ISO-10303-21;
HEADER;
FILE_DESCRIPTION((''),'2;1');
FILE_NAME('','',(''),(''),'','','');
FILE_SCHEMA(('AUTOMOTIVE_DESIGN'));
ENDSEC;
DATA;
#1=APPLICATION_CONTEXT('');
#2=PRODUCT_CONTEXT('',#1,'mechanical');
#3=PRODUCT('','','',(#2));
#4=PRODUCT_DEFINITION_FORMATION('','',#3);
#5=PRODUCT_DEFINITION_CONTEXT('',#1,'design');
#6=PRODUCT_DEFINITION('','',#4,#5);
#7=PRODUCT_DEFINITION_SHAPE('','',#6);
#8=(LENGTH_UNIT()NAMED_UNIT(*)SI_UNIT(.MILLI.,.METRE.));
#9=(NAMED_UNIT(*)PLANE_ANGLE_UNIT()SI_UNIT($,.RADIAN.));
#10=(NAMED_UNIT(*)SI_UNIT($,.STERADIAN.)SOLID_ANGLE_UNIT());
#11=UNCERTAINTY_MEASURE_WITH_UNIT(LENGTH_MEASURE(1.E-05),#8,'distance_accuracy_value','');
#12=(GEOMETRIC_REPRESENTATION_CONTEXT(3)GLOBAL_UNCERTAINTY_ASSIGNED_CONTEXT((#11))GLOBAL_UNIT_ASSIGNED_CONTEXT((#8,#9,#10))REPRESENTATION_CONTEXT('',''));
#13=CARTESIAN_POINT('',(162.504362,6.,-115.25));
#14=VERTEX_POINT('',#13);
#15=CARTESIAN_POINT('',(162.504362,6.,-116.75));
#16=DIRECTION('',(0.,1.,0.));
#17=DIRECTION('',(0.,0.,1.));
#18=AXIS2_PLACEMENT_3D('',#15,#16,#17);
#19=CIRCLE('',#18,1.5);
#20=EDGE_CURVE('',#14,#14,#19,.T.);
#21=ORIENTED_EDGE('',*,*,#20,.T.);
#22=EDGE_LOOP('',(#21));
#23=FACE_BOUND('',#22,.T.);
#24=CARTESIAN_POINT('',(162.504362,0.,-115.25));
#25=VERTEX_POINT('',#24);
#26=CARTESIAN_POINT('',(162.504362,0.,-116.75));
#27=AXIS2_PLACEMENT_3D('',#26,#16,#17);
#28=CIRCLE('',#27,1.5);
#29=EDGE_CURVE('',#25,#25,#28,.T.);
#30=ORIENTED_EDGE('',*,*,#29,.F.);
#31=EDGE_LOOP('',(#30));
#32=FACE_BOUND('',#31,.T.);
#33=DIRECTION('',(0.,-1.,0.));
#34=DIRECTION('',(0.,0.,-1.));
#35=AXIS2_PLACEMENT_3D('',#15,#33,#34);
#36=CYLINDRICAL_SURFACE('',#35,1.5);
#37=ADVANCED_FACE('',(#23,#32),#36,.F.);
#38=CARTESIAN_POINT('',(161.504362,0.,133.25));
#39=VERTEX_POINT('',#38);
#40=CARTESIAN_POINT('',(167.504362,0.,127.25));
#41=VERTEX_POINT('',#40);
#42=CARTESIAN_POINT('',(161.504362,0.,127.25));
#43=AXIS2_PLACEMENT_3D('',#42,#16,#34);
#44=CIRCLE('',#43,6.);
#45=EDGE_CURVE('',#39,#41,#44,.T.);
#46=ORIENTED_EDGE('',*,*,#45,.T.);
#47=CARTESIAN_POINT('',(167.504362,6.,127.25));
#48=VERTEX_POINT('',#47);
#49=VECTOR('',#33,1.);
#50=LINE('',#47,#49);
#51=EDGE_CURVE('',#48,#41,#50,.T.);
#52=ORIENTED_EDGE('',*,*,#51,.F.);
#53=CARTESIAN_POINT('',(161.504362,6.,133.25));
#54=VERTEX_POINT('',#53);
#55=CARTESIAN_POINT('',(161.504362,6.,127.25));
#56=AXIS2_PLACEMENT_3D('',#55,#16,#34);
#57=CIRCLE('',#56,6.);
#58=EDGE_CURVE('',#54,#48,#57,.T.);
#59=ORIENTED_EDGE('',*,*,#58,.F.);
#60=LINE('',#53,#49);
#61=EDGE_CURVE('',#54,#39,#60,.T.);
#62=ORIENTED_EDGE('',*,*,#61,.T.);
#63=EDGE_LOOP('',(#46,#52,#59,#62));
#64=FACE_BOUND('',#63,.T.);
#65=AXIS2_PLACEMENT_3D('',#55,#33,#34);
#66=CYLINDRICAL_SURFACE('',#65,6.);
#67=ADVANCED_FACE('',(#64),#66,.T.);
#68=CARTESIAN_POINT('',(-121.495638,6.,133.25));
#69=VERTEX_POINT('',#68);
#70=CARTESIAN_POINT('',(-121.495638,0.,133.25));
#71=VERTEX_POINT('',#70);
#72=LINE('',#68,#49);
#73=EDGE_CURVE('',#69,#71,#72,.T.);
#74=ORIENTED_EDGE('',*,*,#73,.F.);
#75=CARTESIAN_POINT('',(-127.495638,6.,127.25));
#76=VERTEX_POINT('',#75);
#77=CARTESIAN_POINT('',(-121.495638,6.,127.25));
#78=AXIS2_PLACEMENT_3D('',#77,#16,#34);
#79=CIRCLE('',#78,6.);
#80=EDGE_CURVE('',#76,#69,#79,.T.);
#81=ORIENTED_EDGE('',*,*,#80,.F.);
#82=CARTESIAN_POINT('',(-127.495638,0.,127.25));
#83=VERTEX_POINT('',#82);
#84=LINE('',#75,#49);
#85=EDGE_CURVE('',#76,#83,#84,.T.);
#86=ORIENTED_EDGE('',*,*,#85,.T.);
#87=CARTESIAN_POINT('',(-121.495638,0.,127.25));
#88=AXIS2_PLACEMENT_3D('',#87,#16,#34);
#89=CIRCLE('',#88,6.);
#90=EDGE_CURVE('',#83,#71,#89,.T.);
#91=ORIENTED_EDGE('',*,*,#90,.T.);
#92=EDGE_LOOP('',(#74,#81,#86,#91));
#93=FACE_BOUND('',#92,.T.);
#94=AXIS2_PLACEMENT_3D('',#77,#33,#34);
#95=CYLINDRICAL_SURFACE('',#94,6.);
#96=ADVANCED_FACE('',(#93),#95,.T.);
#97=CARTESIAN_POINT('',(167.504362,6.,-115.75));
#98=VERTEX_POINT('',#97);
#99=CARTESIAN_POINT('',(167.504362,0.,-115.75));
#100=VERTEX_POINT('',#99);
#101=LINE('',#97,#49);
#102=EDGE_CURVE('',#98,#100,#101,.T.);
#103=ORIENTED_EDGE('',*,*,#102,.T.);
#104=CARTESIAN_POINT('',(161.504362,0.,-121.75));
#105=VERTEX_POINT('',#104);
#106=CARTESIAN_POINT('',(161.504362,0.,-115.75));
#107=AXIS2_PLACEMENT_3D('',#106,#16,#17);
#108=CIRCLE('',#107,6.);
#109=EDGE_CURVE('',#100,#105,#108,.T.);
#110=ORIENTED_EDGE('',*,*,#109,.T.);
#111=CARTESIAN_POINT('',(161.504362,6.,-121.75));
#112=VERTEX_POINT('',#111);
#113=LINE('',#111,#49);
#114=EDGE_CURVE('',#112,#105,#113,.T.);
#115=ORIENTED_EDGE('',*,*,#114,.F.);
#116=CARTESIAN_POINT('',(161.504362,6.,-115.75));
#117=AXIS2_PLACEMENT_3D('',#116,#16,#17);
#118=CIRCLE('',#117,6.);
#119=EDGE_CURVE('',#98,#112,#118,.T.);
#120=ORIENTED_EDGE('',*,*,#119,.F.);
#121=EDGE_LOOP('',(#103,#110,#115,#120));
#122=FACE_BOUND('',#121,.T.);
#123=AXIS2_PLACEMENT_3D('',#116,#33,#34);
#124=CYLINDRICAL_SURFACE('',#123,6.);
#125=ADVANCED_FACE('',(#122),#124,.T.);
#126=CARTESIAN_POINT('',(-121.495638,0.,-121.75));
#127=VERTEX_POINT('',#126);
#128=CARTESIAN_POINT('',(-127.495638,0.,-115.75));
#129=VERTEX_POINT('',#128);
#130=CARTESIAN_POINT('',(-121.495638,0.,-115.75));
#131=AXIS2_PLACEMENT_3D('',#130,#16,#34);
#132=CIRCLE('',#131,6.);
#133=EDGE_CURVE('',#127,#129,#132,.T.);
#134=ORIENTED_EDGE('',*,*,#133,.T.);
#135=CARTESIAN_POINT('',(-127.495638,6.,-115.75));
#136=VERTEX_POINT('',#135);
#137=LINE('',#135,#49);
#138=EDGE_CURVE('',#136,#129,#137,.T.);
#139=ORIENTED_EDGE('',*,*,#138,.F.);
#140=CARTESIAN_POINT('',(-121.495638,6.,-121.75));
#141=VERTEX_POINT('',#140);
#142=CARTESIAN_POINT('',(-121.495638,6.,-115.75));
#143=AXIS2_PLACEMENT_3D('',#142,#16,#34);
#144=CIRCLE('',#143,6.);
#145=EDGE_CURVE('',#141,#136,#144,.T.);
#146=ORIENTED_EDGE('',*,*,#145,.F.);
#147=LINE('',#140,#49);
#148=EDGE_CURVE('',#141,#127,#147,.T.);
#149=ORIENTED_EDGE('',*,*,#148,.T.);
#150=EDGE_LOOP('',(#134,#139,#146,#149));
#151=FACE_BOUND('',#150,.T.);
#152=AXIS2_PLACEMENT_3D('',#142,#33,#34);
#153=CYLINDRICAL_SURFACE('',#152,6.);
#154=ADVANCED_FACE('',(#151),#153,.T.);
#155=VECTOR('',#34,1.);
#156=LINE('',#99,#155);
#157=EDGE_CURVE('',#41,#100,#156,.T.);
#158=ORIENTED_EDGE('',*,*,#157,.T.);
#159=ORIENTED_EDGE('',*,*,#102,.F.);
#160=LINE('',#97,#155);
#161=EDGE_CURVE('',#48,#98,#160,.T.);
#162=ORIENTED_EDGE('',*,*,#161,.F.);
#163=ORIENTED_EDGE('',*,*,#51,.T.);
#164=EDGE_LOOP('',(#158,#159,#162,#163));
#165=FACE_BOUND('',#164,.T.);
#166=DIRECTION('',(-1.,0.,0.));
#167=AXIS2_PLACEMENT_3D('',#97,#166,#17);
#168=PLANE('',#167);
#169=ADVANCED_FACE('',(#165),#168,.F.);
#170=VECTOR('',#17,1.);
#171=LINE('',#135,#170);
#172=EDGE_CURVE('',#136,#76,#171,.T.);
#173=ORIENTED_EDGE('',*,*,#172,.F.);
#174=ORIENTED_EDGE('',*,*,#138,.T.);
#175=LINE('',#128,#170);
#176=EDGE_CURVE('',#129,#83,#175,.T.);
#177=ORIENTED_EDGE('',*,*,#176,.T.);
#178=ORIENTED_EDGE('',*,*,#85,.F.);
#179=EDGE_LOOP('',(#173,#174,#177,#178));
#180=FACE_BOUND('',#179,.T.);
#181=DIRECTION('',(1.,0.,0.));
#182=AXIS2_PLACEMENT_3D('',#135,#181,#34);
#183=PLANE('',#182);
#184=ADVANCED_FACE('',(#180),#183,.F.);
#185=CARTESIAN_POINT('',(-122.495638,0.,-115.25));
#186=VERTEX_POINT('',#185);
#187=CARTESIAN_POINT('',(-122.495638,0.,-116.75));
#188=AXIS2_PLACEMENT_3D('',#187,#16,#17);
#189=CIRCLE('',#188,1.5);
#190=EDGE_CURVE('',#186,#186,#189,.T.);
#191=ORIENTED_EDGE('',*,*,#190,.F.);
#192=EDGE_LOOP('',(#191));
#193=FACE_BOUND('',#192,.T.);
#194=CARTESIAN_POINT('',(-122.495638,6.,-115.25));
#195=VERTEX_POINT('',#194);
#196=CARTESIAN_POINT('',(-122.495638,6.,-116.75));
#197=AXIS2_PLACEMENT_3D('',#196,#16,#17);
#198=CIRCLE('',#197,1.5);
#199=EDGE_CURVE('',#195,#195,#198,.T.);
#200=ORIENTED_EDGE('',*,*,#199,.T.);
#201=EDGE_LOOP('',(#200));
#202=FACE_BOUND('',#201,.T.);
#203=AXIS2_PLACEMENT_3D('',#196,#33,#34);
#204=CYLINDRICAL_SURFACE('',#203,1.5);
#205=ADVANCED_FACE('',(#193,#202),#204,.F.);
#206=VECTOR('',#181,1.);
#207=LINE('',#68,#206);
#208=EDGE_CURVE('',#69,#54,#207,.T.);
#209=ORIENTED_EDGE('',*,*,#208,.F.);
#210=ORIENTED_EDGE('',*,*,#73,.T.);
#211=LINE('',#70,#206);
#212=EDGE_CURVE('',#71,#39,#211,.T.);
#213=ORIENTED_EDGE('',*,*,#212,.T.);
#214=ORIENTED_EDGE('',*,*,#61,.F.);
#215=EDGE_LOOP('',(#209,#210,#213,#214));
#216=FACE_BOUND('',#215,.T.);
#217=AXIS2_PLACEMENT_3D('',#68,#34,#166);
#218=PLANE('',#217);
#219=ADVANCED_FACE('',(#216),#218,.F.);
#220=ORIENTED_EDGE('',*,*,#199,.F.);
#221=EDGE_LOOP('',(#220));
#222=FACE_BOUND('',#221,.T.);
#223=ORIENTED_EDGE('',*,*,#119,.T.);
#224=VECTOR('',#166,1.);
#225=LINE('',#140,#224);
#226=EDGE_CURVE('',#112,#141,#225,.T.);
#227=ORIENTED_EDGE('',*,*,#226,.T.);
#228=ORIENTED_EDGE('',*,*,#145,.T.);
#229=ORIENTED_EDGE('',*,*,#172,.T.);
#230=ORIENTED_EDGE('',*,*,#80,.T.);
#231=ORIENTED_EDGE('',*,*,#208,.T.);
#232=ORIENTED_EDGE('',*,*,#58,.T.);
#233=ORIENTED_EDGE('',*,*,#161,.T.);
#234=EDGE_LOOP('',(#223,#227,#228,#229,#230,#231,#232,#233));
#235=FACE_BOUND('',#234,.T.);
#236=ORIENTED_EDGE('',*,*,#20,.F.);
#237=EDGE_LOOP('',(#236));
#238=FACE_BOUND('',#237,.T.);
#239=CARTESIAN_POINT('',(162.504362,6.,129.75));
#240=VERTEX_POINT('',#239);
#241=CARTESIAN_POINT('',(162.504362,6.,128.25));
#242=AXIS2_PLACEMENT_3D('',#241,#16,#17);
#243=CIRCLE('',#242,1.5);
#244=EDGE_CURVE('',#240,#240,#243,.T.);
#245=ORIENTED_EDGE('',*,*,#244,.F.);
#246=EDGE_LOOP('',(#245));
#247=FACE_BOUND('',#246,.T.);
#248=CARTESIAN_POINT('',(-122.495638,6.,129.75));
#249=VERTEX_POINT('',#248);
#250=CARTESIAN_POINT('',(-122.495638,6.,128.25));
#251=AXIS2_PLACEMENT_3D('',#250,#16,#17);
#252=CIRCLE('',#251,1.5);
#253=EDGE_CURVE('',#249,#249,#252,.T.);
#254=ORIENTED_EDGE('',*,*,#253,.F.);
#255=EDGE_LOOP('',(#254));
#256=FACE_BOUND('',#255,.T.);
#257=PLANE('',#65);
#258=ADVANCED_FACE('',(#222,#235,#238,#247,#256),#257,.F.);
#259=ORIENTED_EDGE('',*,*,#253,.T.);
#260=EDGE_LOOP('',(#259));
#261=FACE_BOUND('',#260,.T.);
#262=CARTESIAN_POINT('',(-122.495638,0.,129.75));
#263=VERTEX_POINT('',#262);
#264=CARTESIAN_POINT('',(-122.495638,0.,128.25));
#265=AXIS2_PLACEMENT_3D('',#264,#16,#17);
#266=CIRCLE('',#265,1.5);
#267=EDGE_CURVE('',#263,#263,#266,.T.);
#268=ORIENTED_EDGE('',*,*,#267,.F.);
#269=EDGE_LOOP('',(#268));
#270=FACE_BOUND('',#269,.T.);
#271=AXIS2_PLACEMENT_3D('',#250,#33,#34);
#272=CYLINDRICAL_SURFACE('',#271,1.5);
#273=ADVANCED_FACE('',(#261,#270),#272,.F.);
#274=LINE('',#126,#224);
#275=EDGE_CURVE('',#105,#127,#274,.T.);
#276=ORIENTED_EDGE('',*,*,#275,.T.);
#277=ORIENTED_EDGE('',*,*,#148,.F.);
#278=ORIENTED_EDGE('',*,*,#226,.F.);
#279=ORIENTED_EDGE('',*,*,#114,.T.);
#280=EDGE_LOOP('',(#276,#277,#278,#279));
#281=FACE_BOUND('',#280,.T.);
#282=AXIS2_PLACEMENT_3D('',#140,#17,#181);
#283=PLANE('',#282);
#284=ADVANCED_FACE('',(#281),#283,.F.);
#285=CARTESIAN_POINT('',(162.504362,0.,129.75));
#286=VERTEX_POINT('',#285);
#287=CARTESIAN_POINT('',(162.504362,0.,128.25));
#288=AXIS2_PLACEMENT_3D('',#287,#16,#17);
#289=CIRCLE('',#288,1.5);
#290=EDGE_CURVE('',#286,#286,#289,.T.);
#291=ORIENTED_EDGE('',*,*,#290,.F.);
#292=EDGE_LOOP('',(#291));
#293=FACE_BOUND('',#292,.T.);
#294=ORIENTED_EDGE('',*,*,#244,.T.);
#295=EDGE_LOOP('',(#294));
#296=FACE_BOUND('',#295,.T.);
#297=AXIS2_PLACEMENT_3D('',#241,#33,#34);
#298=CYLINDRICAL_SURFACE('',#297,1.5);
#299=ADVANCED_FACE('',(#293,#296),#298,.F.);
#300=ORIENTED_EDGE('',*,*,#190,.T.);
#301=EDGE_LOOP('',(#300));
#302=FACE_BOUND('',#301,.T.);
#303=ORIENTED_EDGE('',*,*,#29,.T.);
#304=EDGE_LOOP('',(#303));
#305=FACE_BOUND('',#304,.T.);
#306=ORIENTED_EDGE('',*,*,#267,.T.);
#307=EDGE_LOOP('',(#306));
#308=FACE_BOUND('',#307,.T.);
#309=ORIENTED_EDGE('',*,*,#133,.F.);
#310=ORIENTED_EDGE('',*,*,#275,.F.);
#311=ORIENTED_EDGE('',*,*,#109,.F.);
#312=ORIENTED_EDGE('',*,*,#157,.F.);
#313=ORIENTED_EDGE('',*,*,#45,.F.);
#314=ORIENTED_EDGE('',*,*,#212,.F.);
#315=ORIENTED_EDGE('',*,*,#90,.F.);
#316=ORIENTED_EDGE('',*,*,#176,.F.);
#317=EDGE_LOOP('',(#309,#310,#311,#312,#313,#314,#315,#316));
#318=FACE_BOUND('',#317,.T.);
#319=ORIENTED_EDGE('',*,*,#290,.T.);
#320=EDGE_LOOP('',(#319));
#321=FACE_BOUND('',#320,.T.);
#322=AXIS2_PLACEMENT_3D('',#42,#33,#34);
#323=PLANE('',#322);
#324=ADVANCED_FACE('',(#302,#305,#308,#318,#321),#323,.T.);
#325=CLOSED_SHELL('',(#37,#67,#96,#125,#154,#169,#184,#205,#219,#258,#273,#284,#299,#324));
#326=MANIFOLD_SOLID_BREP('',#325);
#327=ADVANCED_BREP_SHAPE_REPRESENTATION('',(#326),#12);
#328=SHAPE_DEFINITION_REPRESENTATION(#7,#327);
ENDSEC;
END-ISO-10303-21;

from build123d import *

# Parameters (mm, degrees)
CROQUIS2_R              = 1.5
SALIENTE_EXTRUIR1_DEPTH = 6


with BuildPart() as part:
    # Croquis2 → Saliente-Extruir1 (new body)
    with BuildSketch(Plane(origin=(0, 0, 0), x_dir=(1, 0, 0), z_dir=(0, 1, 0))):
        with BuildLine():
            Line((-121.49563767, 121.75), (161.50436233, 121.75))
            ThreePointArc((161.50436233, 121.75), (165.747003017, 119.992640687), (167.50436233, 115.75))
            Line((167.50436233, 115.75), (167.50436233, -127.25))
            ThreePointArc((167.50436233, -127.25), (165.747003017, -131.492640687), (161.50436233, -133.25))
            Line((161.50436233, -133.25), (-121.49563767, -133.25))
            ThreePointArc((-121.49563767, -133.25), (-125.738278357, -131.492640687), (-127.49563767, -127.25))
            Line((-127.49563767, -127.25), (-127.49563767, 115.75))
            ThreePointArc((-127.49563767, 115.75), (-125.738278357, 119.992640687), (-121.49563767, 121.75))
        make_face()
        with Locations(Location((162.50436233, 116.75, 0), (0, 0, 270))):
            Circle(CROQUIS2_R, mode=Mode.SUBTRACT)
        with Locations(Location((162.50436233, -128.25, 0), (0, 0, 270))):
            Circle(CROQUIS2_R, mode=Mode.SUBTRACT)
        with Locations(Location((-122.49563767, -128.25, 0), (0, 0, 270))):
            Circle(CROQUIS2_R, mode=Mode.SUBTRACT)
        with Locations(Location((-122.49563767, 116.75, 0), (0, 0, 270))):
            Circle(CROQUIS2_R, mode=Mode.SUBTRACT)
    extrude(amount=SALIENTE_EXTRUIR1_DEPTH)


solid = part.part
